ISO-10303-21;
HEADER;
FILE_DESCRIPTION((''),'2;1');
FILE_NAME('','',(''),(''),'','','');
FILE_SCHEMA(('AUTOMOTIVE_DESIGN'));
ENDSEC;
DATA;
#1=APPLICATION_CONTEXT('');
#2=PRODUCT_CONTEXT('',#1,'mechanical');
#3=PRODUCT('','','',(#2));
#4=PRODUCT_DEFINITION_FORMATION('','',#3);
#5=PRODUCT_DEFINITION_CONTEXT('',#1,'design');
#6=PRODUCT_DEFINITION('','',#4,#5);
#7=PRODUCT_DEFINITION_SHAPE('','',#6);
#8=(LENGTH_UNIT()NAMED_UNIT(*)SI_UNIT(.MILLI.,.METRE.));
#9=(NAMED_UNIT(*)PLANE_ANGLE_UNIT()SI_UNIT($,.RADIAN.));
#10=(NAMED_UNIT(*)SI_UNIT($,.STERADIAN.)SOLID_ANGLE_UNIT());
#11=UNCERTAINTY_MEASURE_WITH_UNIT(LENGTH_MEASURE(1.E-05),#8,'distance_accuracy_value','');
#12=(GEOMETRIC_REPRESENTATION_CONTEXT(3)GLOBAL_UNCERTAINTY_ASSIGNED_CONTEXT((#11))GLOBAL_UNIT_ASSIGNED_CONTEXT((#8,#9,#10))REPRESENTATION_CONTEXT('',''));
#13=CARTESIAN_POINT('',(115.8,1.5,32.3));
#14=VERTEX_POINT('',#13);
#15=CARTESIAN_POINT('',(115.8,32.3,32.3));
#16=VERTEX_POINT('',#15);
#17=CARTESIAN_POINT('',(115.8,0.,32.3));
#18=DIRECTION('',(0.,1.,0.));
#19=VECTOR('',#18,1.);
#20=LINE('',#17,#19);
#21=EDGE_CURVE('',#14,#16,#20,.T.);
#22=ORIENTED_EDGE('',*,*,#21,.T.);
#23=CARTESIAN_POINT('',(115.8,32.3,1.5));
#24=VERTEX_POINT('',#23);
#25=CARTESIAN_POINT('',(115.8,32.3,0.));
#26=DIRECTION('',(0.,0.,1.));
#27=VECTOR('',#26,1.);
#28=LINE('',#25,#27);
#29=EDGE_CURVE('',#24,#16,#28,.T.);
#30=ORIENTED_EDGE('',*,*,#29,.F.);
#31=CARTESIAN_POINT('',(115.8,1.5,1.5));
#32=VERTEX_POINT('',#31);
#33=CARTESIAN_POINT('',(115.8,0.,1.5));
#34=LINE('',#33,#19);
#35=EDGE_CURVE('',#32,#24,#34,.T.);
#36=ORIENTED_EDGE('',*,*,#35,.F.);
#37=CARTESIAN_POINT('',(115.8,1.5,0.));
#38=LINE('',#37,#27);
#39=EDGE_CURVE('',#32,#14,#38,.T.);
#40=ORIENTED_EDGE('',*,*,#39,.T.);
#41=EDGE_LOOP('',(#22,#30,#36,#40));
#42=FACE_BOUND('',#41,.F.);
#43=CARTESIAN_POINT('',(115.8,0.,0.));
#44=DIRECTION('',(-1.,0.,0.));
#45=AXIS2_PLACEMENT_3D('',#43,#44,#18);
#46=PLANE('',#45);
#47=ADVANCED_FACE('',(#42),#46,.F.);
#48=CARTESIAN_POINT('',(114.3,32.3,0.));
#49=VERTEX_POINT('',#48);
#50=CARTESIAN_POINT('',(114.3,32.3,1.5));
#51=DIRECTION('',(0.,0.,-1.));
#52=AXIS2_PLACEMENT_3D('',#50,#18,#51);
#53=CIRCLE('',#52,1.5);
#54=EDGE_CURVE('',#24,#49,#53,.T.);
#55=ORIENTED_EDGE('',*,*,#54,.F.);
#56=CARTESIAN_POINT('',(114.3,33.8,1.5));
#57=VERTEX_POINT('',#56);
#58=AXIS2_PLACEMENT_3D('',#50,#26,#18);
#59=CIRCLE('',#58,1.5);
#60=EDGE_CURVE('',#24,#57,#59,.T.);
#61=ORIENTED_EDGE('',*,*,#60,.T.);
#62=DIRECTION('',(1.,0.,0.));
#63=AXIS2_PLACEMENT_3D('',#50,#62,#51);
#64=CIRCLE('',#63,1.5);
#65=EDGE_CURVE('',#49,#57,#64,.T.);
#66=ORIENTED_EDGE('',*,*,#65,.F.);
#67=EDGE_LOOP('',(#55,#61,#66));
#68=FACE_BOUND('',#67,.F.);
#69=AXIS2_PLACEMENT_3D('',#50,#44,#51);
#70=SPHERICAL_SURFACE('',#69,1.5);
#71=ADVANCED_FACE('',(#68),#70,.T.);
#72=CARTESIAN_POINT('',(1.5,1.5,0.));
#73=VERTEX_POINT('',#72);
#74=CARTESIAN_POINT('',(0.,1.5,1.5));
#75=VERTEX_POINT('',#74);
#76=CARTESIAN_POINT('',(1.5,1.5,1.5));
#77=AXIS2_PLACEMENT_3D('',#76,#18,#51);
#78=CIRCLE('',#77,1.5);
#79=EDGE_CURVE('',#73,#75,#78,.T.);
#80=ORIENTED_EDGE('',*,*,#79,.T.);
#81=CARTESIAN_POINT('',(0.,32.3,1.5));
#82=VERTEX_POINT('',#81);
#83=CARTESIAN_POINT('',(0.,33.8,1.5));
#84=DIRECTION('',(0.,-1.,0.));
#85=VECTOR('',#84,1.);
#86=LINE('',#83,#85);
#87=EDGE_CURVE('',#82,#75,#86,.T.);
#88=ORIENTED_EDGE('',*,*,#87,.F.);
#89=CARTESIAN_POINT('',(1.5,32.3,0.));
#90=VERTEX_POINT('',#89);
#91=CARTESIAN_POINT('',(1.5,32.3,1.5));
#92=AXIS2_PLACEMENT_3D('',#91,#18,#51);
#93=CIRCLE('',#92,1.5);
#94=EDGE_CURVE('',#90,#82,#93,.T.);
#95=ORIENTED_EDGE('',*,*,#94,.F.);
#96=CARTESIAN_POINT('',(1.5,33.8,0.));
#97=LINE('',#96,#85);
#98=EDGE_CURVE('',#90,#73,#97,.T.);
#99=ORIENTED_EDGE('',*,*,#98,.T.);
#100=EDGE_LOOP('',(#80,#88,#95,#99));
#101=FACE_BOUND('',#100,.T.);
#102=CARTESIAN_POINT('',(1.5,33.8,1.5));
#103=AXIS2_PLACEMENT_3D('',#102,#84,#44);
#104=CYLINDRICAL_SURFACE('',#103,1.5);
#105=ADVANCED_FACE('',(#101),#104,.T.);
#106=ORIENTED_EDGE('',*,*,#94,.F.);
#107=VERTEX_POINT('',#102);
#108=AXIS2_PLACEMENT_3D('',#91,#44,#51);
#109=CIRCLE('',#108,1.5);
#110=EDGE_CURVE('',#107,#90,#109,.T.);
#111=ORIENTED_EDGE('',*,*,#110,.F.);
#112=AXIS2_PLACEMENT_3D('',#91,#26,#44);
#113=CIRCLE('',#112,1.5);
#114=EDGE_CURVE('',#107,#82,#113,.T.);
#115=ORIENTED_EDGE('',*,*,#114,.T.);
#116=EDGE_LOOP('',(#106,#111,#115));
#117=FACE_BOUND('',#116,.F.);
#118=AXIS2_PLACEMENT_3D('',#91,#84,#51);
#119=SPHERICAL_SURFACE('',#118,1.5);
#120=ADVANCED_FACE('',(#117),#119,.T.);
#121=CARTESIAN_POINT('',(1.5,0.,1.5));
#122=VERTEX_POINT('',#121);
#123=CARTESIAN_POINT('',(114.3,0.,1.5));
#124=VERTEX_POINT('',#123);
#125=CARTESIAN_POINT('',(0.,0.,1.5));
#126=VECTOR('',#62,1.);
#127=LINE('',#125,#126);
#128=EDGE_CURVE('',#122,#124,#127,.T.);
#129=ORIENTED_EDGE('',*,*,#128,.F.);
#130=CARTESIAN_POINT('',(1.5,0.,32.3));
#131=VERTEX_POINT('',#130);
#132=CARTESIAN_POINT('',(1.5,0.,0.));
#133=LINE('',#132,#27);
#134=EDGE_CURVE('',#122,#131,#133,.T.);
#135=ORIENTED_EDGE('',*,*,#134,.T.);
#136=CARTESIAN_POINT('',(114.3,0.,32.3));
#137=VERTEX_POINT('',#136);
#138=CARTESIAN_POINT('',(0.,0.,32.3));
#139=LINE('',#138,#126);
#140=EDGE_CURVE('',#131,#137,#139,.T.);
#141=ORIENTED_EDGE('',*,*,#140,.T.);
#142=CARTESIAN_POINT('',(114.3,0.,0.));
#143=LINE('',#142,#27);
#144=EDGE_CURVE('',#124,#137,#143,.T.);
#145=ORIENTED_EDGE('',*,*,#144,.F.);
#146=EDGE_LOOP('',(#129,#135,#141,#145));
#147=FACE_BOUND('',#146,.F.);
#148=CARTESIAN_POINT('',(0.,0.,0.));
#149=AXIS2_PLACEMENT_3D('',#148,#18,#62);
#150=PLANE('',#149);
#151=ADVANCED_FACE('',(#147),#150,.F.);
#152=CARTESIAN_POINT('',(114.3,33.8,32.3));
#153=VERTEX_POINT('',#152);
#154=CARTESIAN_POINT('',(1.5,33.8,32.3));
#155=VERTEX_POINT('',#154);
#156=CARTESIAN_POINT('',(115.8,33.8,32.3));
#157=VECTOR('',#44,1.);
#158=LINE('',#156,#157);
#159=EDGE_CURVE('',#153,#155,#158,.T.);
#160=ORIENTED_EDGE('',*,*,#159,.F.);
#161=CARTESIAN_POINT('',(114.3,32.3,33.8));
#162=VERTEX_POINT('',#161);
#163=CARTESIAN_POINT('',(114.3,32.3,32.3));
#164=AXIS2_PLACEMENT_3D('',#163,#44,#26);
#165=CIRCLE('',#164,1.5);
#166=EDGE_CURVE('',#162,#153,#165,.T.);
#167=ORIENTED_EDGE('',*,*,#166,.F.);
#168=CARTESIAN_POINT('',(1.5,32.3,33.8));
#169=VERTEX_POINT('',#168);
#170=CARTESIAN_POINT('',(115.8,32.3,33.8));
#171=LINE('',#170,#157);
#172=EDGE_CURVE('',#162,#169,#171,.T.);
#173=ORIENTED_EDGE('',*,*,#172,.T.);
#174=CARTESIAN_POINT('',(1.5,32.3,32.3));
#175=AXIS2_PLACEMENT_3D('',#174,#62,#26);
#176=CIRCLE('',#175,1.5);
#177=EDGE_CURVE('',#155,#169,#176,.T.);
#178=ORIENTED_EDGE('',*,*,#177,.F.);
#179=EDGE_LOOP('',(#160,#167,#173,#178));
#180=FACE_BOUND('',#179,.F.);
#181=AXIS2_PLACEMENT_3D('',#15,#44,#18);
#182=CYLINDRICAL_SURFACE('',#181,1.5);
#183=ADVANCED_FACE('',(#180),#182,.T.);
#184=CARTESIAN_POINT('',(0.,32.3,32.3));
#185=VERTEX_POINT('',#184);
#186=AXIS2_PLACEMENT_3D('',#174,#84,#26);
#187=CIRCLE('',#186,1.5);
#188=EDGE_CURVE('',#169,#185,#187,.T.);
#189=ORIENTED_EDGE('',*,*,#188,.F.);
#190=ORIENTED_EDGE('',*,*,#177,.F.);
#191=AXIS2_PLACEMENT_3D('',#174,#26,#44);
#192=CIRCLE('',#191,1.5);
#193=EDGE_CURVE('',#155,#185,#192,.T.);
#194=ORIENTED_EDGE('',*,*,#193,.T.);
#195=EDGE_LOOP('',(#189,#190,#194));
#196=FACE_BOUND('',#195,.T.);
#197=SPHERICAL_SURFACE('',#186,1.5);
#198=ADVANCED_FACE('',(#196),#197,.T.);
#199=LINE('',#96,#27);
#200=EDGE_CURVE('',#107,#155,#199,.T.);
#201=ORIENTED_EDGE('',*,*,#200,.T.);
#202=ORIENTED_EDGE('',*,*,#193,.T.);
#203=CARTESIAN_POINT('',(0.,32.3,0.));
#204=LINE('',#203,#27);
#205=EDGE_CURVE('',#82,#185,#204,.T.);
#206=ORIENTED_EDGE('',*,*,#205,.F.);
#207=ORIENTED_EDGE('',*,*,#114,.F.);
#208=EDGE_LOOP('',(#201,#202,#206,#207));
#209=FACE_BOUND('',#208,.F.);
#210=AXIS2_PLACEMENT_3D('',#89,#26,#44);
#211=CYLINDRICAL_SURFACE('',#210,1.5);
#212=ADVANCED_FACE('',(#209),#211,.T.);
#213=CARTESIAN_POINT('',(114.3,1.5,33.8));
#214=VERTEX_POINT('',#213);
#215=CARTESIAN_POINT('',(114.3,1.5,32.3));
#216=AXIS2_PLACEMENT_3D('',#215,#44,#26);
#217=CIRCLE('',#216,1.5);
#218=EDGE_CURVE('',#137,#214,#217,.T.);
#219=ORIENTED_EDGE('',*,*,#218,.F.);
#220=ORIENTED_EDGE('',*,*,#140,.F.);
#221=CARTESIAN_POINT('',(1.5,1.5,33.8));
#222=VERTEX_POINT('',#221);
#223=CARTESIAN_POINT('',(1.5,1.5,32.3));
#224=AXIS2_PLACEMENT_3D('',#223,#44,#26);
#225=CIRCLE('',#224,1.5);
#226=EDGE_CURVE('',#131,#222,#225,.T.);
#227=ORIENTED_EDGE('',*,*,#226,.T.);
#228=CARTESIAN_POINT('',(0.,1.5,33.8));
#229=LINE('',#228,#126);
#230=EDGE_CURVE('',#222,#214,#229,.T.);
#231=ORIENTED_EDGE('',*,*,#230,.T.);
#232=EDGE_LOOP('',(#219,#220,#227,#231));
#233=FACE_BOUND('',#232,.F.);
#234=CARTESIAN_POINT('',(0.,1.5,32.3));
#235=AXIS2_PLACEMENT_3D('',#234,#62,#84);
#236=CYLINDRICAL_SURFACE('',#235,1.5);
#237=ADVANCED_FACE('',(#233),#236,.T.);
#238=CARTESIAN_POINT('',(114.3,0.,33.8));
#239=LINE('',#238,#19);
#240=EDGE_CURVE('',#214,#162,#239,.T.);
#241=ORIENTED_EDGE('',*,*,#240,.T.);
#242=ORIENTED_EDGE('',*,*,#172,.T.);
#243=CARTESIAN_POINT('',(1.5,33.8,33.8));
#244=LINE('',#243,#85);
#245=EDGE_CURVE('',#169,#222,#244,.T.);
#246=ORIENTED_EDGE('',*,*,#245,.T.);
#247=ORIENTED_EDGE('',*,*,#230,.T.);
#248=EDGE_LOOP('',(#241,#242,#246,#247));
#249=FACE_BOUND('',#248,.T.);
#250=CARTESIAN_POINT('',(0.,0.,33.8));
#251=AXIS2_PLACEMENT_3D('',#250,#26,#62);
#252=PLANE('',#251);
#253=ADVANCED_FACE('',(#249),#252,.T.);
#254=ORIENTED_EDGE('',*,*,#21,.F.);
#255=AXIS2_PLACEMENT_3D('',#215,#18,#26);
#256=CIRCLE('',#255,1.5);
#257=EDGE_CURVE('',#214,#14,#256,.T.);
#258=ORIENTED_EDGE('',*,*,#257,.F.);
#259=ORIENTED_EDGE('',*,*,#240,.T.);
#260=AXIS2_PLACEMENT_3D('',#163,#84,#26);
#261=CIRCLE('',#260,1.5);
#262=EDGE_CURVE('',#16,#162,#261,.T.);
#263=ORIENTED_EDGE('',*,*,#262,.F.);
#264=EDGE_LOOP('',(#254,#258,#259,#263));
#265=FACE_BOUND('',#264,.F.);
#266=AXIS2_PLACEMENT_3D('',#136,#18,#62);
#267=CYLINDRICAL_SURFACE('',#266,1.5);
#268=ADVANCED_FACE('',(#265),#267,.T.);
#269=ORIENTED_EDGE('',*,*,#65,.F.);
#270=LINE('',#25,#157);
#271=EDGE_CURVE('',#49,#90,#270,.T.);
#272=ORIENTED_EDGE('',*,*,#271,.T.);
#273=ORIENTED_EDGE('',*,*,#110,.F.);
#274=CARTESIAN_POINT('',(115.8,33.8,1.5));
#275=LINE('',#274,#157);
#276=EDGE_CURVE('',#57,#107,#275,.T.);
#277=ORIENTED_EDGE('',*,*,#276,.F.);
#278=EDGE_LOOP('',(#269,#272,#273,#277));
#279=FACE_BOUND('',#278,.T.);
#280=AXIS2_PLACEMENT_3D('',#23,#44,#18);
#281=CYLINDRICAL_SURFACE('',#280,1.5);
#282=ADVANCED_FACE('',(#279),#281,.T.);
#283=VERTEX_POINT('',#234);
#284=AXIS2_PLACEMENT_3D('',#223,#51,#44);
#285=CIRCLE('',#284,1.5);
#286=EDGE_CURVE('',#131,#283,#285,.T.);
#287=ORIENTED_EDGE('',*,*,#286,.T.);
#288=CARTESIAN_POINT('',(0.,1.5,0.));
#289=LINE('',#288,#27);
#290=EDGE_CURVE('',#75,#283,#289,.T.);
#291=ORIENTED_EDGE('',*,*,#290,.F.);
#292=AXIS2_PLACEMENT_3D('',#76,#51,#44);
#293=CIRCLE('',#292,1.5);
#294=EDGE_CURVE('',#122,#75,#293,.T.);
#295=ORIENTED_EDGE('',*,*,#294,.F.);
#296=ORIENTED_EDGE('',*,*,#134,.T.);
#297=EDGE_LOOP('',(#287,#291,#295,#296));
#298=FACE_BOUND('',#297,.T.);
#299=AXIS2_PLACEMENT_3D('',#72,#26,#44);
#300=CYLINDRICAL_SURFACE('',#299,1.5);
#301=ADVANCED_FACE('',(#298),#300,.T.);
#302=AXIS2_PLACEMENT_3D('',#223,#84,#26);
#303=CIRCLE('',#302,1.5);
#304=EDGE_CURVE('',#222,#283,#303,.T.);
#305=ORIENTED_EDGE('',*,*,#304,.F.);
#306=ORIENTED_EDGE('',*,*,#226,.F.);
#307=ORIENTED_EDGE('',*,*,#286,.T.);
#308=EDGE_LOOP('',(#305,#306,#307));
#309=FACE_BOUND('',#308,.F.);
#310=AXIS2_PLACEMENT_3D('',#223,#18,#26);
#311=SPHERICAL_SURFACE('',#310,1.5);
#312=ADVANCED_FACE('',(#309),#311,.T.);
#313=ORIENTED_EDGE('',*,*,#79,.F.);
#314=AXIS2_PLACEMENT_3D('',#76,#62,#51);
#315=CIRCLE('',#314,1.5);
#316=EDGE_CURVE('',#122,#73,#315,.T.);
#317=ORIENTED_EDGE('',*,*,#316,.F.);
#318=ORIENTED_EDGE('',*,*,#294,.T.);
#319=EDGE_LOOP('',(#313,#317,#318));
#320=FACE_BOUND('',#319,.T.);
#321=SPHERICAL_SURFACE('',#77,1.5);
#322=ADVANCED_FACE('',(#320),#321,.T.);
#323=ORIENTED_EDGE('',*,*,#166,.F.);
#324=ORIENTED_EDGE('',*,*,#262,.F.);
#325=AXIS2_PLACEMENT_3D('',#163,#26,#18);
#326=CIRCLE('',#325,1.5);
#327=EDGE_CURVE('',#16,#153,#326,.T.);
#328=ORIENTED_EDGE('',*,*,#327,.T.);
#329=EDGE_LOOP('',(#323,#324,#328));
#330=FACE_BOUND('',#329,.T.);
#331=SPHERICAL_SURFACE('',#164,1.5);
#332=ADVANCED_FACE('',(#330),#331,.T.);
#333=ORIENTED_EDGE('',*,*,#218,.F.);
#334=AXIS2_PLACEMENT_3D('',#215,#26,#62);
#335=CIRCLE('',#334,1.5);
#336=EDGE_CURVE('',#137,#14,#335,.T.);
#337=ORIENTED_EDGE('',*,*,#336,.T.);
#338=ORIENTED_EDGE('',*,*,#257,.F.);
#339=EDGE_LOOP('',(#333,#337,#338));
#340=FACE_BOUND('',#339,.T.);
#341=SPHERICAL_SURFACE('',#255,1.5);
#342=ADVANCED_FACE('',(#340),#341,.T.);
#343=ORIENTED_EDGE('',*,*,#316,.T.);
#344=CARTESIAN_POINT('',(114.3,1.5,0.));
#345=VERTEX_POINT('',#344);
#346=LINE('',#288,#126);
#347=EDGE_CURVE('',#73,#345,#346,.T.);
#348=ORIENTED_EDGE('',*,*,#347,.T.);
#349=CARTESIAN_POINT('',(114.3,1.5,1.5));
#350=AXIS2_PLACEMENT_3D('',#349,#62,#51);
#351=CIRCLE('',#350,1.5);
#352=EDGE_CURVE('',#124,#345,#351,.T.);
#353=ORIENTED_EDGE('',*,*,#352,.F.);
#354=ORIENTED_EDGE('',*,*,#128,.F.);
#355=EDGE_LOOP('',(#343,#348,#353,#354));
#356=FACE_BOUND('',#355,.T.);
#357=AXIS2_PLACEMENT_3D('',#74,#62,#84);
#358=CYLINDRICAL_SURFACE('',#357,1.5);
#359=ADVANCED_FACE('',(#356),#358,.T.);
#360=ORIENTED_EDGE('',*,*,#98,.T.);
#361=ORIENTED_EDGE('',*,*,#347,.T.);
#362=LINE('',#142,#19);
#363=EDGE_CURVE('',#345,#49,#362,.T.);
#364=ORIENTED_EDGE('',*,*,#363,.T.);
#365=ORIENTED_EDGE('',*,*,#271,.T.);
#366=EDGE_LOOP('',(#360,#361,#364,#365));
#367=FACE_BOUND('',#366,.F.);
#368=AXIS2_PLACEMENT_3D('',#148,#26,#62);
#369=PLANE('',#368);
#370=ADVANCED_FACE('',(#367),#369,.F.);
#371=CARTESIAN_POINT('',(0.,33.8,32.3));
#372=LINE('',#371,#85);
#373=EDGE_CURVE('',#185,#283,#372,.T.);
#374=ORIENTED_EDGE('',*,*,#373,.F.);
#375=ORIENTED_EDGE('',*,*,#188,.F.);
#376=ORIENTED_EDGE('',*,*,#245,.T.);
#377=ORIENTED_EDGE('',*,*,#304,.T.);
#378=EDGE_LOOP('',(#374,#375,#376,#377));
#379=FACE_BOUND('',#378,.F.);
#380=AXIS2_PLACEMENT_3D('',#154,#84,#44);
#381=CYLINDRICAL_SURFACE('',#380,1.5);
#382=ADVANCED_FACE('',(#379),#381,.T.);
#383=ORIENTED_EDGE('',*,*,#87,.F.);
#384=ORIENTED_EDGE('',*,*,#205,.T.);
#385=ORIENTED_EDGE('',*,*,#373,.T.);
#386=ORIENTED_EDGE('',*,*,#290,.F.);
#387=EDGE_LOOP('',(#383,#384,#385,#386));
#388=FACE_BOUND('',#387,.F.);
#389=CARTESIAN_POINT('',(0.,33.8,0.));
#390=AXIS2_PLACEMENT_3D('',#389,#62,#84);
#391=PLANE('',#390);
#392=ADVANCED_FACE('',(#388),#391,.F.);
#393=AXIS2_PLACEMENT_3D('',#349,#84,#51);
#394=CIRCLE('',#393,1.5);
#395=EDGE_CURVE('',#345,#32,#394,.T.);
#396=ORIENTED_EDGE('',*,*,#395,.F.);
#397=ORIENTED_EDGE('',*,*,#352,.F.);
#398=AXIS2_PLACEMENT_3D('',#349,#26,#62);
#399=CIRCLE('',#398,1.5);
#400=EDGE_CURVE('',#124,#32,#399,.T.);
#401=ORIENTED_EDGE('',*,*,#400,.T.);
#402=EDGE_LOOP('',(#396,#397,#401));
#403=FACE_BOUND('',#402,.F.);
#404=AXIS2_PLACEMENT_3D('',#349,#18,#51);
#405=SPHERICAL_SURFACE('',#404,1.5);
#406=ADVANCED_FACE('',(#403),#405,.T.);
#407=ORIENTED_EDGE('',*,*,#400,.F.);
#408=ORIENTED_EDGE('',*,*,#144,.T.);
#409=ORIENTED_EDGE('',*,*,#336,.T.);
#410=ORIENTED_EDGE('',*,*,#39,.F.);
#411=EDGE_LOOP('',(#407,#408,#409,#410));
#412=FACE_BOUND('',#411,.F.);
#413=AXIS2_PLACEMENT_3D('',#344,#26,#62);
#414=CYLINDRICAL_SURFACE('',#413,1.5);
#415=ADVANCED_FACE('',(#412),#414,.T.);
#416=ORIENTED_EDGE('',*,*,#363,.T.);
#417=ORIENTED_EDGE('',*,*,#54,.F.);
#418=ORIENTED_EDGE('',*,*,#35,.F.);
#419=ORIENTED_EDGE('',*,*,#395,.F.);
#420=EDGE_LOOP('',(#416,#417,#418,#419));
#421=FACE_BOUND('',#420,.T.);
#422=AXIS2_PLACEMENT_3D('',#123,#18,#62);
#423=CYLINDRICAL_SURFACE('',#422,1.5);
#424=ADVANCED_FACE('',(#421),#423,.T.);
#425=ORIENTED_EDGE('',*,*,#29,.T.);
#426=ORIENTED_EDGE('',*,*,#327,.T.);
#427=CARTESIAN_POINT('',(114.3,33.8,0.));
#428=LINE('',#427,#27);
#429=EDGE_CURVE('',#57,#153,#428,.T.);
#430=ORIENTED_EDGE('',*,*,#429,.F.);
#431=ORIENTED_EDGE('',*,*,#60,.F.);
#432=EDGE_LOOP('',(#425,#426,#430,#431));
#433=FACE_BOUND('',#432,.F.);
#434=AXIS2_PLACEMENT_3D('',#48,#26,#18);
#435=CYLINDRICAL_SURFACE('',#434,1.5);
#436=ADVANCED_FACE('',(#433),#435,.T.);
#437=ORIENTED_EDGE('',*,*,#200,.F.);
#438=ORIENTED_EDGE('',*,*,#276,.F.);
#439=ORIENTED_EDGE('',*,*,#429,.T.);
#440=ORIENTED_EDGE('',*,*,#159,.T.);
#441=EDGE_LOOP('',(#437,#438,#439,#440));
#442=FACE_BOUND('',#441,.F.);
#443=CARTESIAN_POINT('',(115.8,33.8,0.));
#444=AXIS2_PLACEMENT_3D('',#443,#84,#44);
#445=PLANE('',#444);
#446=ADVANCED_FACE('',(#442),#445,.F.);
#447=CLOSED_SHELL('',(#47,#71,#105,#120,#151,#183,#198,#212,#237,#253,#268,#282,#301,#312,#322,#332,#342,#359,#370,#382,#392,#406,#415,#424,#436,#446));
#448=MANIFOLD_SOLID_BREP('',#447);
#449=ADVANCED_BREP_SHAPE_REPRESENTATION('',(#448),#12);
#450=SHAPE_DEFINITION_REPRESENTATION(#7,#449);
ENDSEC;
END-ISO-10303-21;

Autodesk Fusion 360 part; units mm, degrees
sketch "スケッチ1" plane through (0, 0, 0) normal (0, 0, 1) x (1, 0, 0)
  line L0 (0, 0) -> (115.8, 0)
  line L1 (115.8, 0) -> (115.8, 33.8)
  line L2 (115.8, 33.8) -> (0, 33.8)
  line L3 (0, 33.8) -> (0, 0)
  dimension "d1" = 115.8
  dimension "d2" = 33.8
extrude "押し出し1" add sketch "スケッチ1" along normal blind 33.8
fillet "フィレット1" radius 1.5 4 faces at (38.6, 22.5333, 33.8) (38.6, 22.5333, 0) (38.6, 0, 11.2667) (77.2, 33.8, 11.2667)
